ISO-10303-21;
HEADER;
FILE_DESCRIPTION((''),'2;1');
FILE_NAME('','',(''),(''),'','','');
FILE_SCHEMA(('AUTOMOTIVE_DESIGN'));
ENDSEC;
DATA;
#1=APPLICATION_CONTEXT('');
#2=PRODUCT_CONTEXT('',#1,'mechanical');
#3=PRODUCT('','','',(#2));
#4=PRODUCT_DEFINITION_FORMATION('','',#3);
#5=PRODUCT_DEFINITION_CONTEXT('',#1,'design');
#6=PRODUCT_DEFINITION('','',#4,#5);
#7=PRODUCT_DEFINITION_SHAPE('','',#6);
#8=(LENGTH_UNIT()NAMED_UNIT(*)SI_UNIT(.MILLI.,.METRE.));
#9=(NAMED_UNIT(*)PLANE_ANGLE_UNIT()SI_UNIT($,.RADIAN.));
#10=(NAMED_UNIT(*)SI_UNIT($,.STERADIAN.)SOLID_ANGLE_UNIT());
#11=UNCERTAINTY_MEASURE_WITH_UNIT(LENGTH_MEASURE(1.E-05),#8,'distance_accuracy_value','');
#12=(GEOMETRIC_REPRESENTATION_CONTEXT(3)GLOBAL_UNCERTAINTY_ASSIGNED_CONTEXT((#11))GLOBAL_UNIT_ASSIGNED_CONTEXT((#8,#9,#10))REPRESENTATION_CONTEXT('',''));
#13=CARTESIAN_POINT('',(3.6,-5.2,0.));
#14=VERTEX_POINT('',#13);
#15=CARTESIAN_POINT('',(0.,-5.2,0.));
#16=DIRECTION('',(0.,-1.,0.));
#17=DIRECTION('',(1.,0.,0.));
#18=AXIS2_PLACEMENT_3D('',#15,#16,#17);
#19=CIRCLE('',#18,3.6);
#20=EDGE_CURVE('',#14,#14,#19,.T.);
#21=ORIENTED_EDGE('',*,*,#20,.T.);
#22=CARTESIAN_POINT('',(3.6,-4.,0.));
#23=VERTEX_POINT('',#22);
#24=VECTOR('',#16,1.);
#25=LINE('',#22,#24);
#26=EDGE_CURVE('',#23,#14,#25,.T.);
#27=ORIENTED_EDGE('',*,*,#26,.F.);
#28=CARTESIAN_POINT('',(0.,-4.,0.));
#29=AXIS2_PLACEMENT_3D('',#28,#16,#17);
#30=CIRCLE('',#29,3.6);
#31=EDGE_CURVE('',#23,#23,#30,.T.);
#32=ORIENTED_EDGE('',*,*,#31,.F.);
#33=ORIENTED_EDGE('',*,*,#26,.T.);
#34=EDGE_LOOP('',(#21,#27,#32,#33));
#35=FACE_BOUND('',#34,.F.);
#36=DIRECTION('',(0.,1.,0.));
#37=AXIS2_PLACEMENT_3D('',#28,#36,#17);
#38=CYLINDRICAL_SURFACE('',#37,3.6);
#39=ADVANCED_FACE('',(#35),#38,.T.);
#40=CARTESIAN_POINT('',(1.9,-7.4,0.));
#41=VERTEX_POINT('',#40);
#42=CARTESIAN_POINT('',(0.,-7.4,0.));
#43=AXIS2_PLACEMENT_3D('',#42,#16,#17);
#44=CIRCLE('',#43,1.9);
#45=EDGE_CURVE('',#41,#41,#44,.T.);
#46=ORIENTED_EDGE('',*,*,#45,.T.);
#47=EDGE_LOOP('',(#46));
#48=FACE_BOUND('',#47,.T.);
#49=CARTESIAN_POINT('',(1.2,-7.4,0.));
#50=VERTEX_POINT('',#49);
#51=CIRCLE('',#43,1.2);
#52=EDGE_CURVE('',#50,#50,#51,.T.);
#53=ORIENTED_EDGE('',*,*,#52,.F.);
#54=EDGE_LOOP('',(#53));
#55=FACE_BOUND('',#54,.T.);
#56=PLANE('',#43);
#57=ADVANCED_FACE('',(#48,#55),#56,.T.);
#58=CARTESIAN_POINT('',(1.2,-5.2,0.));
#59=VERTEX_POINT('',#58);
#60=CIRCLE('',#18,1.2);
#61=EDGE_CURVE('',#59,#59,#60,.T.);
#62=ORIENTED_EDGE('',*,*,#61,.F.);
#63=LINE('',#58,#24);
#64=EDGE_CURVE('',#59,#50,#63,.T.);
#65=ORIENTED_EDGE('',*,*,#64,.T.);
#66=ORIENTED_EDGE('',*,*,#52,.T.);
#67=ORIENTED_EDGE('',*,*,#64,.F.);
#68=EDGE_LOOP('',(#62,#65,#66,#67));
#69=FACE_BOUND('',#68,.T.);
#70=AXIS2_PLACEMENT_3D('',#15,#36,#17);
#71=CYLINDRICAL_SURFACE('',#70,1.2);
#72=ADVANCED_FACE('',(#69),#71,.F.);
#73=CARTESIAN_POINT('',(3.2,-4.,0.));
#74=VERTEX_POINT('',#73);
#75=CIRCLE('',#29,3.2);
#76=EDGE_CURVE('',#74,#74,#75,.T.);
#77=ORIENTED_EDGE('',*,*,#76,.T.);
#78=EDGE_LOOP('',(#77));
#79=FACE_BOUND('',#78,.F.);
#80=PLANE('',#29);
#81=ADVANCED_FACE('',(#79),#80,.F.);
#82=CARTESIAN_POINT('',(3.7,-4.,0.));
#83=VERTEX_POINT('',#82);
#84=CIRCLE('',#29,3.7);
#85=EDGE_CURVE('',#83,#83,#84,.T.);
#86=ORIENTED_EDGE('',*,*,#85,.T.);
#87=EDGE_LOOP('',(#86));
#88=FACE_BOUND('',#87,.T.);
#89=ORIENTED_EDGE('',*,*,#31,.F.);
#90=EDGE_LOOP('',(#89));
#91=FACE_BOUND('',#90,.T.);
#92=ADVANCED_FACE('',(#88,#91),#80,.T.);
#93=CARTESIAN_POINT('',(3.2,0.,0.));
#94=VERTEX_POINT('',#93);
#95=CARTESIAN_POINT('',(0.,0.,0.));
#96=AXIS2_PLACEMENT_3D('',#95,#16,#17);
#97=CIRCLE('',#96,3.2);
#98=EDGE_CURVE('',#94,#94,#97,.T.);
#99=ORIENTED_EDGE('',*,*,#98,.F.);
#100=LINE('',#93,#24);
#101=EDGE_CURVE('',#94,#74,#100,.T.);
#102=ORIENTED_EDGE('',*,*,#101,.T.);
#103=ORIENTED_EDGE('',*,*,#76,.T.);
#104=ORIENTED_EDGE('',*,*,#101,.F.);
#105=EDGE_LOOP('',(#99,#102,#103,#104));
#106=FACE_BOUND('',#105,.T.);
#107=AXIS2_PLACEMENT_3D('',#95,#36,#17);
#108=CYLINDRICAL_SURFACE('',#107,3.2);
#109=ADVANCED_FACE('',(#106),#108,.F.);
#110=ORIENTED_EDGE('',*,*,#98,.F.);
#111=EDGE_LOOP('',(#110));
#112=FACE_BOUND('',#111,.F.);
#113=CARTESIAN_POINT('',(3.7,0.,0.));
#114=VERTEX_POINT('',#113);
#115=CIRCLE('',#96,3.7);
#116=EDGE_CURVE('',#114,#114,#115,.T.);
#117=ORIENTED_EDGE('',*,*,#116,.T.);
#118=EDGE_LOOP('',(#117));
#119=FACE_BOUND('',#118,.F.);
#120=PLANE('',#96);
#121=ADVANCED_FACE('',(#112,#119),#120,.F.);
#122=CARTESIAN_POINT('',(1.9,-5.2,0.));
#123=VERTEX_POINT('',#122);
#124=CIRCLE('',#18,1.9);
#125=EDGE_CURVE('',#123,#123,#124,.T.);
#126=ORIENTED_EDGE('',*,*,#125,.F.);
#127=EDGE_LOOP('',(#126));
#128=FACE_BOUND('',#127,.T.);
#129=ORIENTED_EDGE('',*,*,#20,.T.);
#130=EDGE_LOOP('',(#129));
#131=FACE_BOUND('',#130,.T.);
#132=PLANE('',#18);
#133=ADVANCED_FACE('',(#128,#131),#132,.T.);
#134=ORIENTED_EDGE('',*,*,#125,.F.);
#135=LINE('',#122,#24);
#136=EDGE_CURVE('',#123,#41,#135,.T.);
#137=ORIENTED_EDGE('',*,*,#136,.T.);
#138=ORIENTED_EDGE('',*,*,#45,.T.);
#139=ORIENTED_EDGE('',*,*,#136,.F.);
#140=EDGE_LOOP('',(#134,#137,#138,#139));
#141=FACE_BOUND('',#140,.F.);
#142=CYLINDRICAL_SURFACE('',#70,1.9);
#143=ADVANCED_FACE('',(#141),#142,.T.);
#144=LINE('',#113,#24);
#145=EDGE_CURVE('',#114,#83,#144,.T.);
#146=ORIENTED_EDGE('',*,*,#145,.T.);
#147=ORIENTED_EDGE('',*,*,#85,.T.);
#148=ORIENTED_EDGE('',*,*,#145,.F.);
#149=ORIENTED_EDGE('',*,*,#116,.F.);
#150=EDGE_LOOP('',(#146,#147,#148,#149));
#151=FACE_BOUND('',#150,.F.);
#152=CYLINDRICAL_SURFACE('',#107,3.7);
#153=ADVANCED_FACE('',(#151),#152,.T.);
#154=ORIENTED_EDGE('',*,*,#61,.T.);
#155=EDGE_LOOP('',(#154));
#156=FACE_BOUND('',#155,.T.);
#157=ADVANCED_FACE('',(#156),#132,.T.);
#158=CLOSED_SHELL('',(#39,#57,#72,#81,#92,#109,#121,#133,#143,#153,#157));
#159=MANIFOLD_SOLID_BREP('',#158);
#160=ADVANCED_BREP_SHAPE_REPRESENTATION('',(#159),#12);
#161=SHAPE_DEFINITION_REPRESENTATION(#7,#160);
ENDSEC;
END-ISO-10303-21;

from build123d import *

# Parameters (mm, degrees)
F0_R     = 3.7
F0_R_2   = 3.2
F1_DEPTH = 4
F2_R     = 3.6
F3_DEPTH = 1.2
F4_R     = 1.9
F4_R_2   = 1.2
F5_DEPTH = 2.2


with BuildPart() as f1:
    # F0 (on Front) → F1 (new body)
    with BuildSketch(Plane.XZ):
        Circle(F0_R)
        Circle(F0_R_2, mode=Mode.SUBTRACT)
    extrude(amount=F1_DEPTH)

    # F2 (on face) → F3 (join)
    with BuildSketch(Plane.XZ.offset(4)):
        Circle(F2_R)
    extrude(amount=F3_DEPTH)

    # F4 (on face) → F5 (join)
    with BuildSketch(Plane.XZ.offset(5.2)):
        Circle(F4_R)
        Circle(F4_R_2, mode=Mode.SUBTRACT)
    extrude(amount=F5_DEPTH)


solid = f1.part
